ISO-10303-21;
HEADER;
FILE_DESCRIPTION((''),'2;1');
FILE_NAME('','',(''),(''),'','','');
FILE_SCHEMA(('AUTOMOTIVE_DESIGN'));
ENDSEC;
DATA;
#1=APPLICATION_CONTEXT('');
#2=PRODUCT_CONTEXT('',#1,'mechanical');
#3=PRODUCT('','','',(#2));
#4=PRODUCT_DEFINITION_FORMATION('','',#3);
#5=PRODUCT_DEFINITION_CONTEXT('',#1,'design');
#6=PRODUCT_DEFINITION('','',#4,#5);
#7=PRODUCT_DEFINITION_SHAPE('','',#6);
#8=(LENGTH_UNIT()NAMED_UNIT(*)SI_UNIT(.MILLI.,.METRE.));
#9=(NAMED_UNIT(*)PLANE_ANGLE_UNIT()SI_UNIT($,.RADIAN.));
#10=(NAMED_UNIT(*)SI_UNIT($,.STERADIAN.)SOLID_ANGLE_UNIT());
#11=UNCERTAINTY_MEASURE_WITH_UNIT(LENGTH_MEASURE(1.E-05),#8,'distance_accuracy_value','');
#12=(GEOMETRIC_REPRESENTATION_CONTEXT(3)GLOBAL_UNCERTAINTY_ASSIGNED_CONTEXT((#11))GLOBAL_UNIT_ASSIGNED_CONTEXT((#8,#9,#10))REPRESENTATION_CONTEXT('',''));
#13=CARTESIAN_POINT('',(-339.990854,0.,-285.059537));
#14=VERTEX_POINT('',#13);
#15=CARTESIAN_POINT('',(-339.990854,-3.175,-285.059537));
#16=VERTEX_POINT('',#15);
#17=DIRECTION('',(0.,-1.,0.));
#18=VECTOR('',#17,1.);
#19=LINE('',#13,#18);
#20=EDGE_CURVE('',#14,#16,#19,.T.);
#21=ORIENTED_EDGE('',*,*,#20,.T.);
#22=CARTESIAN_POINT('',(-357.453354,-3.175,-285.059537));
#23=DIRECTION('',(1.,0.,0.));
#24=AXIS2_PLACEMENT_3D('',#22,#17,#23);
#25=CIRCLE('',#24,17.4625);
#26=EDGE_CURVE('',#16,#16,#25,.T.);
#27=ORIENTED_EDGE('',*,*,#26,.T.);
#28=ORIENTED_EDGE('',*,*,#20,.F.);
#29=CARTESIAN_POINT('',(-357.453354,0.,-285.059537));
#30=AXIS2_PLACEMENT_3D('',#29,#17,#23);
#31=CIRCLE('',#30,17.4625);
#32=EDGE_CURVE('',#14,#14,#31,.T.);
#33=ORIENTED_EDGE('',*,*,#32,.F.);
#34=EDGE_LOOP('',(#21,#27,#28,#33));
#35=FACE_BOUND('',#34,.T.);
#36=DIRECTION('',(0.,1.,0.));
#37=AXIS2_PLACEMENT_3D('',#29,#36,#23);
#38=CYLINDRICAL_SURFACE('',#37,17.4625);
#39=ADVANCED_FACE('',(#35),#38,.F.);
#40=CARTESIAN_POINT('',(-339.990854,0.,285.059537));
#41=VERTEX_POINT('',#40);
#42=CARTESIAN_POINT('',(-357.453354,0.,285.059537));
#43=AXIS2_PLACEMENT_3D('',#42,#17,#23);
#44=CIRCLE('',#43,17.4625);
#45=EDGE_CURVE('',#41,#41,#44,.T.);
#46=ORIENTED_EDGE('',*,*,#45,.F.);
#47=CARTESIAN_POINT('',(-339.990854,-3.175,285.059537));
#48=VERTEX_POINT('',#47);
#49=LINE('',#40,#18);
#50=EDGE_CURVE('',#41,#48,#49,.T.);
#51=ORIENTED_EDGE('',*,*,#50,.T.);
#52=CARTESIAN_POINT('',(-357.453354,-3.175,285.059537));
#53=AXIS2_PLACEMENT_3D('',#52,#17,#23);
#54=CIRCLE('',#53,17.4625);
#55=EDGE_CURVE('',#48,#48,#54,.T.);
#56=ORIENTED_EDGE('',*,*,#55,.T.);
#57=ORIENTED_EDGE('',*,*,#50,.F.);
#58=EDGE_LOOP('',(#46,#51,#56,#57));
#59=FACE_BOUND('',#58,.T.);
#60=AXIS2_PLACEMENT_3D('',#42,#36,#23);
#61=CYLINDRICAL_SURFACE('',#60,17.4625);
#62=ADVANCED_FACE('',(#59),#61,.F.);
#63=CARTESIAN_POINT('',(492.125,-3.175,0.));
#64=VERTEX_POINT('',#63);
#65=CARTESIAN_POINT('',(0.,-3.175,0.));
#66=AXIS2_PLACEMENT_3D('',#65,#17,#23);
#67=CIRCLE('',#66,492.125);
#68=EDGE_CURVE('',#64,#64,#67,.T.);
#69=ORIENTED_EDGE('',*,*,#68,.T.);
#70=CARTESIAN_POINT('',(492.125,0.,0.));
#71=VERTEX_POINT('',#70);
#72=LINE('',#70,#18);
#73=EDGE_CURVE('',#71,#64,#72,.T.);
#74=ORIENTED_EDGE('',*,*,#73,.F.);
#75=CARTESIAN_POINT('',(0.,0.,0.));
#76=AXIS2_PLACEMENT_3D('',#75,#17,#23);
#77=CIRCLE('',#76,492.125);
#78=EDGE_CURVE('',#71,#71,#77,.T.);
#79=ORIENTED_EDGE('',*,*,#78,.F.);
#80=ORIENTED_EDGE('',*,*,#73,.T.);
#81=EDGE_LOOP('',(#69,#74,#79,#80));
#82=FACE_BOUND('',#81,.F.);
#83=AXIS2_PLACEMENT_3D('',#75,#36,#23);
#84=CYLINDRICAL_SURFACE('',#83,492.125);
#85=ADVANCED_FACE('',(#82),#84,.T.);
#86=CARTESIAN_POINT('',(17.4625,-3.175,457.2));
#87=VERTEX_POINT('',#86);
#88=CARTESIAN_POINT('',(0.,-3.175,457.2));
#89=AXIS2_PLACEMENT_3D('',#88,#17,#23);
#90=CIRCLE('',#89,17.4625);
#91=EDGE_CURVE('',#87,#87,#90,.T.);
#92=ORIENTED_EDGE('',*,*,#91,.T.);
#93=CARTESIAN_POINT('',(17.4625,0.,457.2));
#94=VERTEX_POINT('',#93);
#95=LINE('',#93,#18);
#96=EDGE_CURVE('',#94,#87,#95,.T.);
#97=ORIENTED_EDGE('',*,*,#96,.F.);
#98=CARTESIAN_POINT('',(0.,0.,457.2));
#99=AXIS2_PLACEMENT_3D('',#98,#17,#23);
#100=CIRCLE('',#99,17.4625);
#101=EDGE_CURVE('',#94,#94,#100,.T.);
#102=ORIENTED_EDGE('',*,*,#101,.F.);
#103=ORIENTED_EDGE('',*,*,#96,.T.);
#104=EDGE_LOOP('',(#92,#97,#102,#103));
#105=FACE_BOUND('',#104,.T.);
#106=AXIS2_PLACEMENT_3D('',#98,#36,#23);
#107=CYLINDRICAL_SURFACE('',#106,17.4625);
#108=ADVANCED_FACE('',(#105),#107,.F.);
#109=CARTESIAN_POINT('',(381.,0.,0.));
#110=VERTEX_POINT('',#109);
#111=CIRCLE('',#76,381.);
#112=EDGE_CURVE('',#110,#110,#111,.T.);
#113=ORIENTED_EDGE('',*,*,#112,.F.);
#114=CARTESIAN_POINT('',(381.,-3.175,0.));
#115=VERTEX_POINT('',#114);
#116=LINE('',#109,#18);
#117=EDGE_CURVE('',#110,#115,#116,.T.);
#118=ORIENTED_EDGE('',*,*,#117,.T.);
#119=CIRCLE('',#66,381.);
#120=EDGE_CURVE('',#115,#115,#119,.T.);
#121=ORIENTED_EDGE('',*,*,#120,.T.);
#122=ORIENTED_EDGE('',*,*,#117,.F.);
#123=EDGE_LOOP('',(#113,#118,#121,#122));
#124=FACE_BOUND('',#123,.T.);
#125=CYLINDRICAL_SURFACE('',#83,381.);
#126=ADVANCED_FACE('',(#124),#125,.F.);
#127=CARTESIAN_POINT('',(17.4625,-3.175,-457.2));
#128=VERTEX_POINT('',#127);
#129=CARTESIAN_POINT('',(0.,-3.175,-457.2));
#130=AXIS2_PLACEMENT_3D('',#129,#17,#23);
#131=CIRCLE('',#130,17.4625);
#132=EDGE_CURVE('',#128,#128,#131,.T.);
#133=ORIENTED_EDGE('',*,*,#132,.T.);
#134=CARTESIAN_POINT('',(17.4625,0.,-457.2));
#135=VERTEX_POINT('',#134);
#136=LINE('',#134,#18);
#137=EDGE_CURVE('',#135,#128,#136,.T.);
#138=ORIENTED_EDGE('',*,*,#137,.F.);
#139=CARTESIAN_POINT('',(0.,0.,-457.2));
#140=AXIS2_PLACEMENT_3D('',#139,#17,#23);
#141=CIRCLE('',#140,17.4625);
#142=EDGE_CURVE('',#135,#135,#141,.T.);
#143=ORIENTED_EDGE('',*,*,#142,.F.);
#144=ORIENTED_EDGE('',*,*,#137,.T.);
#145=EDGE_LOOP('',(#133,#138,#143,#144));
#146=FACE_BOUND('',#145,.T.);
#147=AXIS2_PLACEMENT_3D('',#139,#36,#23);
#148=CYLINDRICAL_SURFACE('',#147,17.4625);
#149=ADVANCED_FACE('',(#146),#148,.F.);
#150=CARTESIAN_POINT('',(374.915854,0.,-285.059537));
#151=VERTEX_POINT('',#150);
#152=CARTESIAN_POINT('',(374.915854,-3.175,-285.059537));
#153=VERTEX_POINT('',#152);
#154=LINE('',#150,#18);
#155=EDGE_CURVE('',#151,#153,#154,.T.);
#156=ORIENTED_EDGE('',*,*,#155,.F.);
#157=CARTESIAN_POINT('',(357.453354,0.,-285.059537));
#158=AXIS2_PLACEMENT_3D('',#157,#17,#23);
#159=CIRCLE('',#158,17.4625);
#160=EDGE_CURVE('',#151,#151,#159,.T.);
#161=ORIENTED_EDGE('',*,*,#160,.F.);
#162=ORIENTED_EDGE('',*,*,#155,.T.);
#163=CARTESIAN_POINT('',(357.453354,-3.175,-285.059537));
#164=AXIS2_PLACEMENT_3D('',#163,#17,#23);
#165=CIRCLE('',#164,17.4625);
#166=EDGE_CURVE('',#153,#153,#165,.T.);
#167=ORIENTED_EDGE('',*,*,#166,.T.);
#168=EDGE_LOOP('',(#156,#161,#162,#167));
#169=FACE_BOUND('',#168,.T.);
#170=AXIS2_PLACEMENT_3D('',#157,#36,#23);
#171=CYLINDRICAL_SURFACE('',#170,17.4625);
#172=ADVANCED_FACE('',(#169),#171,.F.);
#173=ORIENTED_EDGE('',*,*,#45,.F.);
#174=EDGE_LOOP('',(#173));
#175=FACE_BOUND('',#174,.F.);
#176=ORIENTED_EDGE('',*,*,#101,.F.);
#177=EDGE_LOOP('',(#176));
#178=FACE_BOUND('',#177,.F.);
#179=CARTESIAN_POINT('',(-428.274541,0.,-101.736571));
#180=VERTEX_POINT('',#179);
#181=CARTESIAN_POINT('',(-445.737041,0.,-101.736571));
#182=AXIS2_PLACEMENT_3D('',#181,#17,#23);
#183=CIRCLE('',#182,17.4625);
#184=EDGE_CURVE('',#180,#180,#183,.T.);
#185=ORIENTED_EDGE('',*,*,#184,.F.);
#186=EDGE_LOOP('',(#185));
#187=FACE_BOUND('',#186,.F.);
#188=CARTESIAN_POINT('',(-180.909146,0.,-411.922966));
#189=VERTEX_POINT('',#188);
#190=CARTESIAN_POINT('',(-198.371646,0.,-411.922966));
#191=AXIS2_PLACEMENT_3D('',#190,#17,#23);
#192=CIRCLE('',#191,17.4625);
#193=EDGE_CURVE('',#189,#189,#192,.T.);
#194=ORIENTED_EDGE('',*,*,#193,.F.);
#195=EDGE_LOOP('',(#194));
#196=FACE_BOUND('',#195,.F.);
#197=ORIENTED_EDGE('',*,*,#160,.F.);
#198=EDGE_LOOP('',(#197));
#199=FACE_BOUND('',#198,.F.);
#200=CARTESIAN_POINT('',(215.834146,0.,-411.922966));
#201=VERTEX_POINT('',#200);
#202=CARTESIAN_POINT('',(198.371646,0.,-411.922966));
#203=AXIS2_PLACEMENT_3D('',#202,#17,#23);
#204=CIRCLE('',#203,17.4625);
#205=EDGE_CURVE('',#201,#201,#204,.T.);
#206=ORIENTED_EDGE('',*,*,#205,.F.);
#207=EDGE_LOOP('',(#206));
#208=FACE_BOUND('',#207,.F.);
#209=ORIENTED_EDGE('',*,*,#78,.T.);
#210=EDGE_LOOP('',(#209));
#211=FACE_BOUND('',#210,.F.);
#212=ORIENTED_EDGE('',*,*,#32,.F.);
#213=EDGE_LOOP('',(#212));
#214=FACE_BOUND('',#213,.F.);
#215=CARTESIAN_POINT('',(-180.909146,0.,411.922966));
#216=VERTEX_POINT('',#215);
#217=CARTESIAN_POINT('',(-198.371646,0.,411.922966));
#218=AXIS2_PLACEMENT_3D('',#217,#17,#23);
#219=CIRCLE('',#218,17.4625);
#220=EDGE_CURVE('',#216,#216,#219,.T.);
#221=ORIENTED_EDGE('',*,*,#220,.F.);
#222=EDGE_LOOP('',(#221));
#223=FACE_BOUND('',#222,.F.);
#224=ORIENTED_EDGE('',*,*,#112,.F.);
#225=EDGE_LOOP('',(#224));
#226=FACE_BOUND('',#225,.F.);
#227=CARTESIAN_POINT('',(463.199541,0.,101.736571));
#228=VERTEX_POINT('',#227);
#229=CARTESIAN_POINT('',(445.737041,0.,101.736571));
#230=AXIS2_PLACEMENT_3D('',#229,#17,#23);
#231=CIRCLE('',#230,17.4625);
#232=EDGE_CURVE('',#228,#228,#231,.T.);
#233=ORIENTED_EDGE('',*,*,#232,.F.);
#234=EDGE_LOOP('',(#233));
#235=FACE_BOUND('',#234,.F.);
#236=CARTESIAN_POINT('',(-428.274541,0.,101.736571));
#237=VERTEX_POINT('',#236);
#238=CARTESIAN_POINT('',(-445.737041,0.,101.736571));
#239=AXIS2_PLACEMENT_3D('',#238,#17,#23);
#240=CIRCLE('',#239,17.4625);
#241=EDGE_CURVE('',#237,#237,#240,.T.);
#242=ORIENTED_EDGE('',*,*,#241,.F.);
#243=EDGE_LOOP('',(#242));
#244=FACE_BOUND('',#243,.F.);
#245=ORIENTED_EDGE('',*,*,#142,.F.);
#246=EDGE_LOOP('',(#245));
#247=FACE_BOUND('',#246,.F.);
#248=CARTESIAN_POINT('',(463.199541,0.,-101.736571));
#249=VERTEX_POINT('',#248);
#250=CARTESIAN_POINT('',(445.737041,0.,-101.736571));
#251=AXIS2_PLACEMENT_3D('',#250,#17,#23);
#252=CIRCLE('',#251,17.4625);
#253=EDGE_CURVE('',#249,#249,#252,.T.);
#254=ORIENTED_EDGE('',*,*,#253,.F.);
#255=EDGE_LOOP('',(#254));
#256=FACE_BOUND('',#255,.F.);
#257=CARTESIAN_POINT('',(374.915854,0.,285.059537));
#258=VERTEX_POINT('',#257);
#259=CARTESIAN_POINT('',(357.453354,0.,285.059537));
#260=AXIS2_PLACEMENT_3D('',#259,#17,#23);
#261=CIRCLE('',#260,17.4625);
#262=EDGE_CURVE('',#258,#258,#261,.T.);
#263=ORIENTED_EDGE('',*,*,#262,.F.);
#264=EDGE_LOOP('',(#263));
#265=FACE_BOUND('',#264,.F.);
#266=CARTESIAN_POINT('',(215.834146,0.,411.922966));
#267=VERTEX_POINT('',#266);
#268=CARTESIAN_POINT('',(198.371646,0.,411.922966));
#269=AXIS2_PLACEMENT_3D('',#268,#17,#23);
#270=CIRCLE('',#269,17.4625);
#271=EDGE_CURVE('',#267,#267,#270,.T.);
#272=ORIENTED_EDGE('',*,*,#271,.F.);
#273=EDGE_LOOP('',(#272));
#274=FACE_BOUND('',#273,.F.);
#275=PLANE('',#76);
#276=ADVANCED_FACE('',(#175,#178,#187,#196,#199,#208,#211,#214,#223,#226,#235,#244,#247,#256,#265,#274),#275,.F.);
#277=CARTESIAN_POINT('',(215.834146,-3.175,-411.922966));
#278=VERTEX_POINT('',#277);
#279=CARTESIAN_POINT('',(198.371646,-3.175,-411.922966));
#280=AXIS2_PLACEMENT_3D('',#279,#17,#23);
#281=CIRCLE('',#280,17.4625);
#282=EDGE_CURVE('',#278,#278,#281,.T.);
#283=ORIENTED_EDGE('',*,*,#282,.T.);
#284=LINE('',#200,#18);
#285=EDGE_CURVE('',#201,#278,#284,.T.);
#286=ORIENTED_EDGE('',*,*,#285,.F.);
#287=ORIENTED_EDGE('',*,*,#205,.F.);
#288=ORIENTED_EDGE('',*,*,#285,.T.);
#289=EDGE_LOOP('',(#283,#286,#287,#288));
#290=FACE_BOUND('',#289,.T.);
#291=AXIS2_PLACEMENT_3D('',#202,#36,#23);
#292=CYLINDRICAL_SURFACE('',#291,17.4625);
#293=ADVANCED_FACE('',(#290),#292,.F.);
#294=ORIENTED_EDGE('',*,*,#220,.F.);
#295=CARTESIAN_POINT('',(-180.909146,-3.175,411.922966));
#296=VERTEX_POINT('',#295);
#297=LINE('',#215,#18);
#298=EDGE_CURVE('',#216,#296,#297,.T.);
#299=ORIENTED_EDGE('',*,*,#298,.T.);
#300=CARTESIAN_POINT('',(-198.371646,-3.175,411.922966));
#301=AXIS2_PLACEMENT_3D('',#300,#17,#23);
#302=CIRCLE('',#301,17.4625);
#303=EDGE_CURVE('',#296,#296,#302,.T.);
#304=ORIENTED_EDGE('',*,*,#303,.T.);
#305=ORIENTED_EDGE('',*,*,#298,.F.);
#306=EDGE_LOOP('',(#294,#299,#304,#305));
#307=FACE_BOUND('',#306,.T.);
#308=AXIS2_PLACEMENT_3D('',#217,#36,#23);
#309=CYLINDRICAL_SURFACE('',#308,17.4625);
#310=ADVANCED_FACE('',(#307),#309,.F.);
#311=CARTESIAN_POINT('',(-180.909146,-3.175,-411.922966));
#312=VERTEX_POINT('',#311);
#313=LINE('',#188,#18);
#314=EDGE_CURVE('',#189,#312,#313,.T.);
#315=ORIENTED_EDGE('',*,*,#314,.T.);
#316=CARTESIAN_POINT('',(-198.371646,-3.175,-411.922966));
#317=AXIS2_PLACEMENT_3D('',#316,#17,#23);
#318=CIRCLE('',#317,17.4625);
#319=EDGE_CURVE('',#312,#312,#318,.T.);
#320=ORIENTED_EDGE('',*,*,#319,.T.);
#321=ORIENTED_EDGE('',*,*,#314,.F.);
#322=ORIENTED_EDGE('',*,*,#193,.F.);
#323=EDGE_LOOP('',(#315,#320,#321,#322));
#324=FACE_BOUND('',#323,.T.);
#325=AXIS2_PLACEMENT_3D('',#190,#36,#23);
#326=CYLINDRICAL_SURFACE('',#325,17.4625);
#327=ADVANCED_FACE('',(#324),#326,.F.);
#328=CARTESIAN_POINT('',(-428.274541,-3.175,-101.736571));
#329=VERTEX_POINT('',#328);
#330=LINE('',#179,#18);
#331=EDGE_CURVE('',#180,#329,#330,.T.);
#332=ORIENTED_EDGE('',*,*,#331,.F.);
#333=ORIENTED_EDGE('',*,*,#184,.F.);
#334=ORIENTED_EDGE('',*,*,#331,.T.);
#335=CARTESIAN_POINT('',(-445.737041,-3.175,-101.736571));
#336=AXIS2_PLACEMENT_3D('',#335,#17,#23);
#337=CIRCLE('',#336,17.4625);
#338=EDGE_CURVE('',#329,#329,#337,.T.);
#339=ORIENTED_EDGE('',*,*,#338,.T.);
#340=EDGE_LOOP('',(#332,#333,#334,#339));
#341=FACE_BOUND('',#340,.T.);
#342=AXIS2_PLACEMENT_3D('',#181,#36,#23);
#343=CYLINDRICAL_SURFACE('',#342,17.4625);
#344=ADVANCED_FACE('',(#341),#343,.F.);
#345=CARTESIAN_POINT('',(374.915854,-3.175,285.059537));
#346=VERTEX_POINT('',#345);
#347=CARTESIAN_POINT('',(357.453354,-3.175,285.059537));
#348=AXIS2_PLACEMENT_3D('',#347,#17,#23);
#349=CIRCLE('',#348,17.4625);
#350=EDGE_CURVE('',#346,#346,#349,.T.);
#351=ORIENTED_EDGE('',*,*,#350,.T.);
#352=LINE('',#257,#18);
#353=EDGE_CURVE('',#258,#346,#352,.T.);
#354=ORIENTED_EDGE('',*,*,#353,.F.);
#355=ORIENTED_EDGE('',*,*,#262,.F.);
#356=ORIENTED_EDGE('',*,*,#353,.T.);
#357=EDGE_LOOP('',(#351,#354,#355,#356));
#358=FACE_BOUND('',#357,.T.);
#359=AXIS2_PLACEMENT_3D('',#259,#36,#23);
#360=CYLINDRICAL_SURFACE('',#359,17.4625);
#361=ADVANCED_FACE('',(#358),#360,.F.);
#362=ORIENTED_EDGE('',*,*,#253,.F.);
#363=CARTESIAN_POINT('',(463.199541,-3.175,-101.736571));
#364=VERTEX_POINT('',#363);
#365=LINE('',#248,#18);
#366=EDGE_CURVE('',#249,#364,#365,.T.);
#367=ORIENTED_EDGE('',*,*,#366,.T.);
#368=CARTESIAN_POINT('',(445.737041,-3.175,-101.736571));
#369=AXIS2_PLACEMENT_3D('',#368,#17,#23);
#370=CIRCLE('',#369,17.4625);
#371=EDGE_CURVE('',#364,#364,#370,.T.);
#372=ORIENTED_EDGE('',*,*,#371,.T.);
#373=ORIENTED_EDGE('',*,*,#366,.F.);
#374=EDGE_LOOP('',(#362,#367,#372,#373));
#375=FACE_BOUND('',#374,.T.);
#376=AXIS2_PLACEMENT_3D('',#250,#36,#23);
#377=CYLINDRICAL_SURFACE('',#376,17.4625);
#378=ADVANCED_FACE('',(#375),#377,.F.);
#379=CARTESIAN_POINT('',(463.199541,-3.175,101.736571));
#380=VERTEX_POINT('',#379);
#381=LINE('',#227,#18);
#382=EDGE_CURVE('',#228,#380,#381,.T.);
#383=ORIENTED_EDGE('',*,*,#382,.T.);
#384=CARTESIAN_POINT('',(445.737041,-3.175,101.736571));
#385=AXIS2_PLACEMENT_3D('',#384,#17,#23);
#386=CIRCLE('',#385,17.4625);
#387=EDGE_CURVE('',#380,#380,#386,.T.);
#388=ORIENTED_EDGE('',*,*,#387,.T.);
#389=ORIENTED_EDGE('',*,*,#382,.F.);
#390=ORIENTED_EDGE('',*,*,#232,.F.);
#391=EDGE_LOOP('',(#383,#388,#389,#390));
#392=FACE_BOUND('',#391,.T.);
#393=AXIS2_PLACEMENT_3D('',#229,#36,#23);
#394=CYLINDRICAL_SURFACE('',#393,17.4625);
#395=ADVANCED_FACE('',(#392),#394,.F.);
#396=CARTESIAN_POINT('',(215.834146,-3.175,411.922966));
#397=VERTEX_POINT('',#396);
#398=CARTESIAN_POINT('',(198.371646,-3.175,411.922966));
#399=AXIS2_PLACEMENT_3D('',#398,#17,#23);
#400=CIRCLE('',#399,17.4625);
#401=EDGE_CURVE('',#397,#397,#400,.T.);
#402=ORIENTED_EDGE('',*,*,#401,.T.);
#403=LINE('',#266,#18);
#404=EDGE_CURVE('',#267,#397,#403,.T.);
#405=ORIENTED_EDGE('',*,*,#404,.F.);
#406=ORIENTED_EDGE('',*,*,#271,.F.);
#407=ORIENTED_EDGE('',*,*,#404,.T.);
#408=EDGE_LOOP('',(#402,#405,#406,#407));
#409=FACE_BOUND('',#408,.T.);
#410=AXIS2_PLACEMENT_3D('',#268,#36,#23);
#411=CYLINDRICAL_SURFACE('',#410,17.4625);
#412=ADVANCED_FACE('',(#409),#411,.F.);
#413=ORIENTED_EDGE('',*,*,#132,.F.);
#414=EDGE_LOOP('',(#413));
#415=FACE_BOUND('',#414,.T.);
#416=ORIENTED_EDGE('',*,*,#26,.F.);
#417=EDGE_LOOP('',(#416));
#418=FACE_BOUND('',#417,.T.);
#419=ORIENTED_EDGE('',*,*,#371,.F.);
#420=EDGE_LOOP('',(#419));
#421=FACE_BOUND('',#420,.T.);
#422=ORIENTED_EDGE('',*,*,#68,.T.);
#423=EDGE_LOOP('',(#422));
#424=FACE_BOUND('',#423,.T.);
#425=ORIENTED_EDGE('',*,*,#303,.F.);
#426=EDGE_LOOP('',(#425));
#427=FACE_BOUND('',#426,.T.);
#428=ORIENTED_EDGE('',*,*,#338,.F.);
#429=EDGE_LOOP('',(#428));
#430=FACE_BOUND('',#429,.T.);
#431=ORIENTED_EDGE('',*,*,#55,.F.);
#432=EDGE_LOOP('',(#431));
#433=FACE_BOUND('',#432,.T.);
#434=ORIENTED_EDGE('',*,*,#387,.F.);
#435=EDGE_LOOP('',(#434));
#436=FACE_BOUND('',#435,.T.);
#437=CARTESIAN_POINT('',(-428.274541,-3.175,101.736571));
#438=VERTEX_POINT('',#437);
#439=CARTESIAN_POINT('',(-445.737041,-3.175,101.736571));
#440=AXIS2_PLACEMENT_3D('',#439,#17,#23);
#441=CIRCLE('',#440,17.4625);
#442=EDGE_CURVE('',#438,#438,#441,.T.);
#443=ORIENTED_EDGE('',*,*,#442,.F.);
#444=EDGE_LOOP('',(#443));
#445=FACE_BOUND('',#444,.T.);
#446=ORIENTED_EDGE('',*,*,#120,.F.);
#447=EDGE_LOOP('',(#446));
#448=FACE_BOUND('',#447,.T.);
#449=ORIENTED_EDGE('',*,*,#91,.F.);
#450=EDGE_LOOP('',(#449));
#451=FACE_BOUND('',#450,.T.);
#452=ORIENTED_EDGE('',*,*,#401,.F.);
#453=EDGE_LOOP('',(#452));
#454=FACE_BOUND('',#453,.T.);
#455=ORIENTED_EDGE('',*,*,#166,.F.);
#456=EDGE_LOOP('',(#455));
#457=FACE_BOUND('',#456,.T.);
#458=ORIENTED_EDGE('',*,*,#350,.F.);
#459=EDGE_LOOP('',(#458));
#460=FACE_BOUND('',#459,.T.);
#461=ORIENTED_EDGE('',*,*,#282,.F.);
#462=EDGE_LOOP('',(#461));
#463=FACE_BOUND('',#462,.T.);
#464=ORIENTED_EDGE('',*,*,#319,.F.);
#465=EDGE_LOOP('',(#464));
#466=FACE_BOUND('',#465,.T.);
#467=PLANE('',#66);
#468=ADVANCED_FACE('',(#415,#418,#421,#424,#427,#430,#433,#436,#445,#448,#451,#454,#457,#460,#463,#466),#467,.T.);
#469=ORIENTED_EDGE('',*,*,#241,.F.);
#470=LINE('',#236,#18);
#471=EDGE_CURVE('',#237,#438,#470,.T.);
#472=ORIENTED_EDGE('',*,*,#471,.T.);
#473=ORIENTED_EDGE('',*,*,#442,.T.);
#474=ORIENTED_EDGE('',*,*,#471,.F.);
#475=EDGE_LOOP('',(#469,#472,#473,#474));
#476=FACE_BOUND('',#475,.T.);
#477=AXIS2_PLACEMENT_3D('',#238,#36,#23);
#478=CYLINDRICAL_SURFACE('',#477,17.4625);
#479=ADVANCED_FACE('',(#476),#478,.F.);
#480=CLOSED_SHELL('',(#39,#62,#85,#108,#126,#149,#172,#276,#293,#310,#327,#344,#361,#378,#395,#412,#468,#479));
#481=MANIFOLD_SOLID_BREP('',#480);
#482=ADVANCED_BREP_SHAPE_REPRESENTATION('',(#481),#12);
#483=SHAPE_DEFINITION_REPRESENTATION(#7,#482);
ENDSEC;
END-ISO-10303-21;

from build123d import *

# Parameters (mm, degrees)
F0_R     = 492.125
F0_R_2   = 17.4625
F0_R_3   = 381
F1_DEPTH = 3.175


with BuildPart() as f1:
    # F0 (on Front) → F1 (new body)
    with BuildSketch(Plane.XZ):
        Circle(F0_R)
        with Locations((-357.453354, -285.059537)):
            Circle(F0_R_2, mode=Mode.SUBTRACT)
        with Locations((-198.371646, -411.922966)):
            Circle(F0_R_2, mode=Mode.SUBTRACT)
        with Locations((0, -457.2)):
            Circle(F0_R_2, mode=Mode.SUBTRACT)
        with Locations((-445.737041, -101.736571)):
            Circle(F0_R_2, mode=Mode.SUBTRACT)
        Circle(F0_R_3, mode=Mode.SUBTRACT)
        with Locations((198.371646, -411.922966)):
            Circle(F0_R_2, mode=Mode.SUBTRACT)
        with Locations((357.453354, -285.059537)):
            Circle(F0_R_2, mode=Mode.SUBTRACT)
        with Locations((445.737041, -101.736571)):
            Circle(F0_R_2, mode=Mode.SUBTRACT)
        with Locations((-445.737041, 101.736571)):
            Circle(F0_R_2, mode=Mode.SUBTRACT)
        with Locations((-357.453354, 285.059537)):
            Circle(F0_R_2, mode=Mode.SUBTRACT)
        with Locations((-198.371646, 411.922966)):
            Circle(F0_R_2, mode=Mode.SUBTRACT)
        with Locations((0, 457.2)):
            Circle(F0_R_2, mode=Mode.SUBTRACT)
        with Locations((445.737041, 101.736571)):
            Circle(F0_R_2, mode=Mode.SUBTRACT)
        with Locations((198.371646, 411.922966)):
            Circle(F0_R_2, mode=Mode.SUBTRACT)
        with Locations((357.453354, 285.059537)):
            Circle(F0_R_2, mode=Mode.SUBTRACT)
    extrude(amount=F1_DEPTH)


solid = f1.part
